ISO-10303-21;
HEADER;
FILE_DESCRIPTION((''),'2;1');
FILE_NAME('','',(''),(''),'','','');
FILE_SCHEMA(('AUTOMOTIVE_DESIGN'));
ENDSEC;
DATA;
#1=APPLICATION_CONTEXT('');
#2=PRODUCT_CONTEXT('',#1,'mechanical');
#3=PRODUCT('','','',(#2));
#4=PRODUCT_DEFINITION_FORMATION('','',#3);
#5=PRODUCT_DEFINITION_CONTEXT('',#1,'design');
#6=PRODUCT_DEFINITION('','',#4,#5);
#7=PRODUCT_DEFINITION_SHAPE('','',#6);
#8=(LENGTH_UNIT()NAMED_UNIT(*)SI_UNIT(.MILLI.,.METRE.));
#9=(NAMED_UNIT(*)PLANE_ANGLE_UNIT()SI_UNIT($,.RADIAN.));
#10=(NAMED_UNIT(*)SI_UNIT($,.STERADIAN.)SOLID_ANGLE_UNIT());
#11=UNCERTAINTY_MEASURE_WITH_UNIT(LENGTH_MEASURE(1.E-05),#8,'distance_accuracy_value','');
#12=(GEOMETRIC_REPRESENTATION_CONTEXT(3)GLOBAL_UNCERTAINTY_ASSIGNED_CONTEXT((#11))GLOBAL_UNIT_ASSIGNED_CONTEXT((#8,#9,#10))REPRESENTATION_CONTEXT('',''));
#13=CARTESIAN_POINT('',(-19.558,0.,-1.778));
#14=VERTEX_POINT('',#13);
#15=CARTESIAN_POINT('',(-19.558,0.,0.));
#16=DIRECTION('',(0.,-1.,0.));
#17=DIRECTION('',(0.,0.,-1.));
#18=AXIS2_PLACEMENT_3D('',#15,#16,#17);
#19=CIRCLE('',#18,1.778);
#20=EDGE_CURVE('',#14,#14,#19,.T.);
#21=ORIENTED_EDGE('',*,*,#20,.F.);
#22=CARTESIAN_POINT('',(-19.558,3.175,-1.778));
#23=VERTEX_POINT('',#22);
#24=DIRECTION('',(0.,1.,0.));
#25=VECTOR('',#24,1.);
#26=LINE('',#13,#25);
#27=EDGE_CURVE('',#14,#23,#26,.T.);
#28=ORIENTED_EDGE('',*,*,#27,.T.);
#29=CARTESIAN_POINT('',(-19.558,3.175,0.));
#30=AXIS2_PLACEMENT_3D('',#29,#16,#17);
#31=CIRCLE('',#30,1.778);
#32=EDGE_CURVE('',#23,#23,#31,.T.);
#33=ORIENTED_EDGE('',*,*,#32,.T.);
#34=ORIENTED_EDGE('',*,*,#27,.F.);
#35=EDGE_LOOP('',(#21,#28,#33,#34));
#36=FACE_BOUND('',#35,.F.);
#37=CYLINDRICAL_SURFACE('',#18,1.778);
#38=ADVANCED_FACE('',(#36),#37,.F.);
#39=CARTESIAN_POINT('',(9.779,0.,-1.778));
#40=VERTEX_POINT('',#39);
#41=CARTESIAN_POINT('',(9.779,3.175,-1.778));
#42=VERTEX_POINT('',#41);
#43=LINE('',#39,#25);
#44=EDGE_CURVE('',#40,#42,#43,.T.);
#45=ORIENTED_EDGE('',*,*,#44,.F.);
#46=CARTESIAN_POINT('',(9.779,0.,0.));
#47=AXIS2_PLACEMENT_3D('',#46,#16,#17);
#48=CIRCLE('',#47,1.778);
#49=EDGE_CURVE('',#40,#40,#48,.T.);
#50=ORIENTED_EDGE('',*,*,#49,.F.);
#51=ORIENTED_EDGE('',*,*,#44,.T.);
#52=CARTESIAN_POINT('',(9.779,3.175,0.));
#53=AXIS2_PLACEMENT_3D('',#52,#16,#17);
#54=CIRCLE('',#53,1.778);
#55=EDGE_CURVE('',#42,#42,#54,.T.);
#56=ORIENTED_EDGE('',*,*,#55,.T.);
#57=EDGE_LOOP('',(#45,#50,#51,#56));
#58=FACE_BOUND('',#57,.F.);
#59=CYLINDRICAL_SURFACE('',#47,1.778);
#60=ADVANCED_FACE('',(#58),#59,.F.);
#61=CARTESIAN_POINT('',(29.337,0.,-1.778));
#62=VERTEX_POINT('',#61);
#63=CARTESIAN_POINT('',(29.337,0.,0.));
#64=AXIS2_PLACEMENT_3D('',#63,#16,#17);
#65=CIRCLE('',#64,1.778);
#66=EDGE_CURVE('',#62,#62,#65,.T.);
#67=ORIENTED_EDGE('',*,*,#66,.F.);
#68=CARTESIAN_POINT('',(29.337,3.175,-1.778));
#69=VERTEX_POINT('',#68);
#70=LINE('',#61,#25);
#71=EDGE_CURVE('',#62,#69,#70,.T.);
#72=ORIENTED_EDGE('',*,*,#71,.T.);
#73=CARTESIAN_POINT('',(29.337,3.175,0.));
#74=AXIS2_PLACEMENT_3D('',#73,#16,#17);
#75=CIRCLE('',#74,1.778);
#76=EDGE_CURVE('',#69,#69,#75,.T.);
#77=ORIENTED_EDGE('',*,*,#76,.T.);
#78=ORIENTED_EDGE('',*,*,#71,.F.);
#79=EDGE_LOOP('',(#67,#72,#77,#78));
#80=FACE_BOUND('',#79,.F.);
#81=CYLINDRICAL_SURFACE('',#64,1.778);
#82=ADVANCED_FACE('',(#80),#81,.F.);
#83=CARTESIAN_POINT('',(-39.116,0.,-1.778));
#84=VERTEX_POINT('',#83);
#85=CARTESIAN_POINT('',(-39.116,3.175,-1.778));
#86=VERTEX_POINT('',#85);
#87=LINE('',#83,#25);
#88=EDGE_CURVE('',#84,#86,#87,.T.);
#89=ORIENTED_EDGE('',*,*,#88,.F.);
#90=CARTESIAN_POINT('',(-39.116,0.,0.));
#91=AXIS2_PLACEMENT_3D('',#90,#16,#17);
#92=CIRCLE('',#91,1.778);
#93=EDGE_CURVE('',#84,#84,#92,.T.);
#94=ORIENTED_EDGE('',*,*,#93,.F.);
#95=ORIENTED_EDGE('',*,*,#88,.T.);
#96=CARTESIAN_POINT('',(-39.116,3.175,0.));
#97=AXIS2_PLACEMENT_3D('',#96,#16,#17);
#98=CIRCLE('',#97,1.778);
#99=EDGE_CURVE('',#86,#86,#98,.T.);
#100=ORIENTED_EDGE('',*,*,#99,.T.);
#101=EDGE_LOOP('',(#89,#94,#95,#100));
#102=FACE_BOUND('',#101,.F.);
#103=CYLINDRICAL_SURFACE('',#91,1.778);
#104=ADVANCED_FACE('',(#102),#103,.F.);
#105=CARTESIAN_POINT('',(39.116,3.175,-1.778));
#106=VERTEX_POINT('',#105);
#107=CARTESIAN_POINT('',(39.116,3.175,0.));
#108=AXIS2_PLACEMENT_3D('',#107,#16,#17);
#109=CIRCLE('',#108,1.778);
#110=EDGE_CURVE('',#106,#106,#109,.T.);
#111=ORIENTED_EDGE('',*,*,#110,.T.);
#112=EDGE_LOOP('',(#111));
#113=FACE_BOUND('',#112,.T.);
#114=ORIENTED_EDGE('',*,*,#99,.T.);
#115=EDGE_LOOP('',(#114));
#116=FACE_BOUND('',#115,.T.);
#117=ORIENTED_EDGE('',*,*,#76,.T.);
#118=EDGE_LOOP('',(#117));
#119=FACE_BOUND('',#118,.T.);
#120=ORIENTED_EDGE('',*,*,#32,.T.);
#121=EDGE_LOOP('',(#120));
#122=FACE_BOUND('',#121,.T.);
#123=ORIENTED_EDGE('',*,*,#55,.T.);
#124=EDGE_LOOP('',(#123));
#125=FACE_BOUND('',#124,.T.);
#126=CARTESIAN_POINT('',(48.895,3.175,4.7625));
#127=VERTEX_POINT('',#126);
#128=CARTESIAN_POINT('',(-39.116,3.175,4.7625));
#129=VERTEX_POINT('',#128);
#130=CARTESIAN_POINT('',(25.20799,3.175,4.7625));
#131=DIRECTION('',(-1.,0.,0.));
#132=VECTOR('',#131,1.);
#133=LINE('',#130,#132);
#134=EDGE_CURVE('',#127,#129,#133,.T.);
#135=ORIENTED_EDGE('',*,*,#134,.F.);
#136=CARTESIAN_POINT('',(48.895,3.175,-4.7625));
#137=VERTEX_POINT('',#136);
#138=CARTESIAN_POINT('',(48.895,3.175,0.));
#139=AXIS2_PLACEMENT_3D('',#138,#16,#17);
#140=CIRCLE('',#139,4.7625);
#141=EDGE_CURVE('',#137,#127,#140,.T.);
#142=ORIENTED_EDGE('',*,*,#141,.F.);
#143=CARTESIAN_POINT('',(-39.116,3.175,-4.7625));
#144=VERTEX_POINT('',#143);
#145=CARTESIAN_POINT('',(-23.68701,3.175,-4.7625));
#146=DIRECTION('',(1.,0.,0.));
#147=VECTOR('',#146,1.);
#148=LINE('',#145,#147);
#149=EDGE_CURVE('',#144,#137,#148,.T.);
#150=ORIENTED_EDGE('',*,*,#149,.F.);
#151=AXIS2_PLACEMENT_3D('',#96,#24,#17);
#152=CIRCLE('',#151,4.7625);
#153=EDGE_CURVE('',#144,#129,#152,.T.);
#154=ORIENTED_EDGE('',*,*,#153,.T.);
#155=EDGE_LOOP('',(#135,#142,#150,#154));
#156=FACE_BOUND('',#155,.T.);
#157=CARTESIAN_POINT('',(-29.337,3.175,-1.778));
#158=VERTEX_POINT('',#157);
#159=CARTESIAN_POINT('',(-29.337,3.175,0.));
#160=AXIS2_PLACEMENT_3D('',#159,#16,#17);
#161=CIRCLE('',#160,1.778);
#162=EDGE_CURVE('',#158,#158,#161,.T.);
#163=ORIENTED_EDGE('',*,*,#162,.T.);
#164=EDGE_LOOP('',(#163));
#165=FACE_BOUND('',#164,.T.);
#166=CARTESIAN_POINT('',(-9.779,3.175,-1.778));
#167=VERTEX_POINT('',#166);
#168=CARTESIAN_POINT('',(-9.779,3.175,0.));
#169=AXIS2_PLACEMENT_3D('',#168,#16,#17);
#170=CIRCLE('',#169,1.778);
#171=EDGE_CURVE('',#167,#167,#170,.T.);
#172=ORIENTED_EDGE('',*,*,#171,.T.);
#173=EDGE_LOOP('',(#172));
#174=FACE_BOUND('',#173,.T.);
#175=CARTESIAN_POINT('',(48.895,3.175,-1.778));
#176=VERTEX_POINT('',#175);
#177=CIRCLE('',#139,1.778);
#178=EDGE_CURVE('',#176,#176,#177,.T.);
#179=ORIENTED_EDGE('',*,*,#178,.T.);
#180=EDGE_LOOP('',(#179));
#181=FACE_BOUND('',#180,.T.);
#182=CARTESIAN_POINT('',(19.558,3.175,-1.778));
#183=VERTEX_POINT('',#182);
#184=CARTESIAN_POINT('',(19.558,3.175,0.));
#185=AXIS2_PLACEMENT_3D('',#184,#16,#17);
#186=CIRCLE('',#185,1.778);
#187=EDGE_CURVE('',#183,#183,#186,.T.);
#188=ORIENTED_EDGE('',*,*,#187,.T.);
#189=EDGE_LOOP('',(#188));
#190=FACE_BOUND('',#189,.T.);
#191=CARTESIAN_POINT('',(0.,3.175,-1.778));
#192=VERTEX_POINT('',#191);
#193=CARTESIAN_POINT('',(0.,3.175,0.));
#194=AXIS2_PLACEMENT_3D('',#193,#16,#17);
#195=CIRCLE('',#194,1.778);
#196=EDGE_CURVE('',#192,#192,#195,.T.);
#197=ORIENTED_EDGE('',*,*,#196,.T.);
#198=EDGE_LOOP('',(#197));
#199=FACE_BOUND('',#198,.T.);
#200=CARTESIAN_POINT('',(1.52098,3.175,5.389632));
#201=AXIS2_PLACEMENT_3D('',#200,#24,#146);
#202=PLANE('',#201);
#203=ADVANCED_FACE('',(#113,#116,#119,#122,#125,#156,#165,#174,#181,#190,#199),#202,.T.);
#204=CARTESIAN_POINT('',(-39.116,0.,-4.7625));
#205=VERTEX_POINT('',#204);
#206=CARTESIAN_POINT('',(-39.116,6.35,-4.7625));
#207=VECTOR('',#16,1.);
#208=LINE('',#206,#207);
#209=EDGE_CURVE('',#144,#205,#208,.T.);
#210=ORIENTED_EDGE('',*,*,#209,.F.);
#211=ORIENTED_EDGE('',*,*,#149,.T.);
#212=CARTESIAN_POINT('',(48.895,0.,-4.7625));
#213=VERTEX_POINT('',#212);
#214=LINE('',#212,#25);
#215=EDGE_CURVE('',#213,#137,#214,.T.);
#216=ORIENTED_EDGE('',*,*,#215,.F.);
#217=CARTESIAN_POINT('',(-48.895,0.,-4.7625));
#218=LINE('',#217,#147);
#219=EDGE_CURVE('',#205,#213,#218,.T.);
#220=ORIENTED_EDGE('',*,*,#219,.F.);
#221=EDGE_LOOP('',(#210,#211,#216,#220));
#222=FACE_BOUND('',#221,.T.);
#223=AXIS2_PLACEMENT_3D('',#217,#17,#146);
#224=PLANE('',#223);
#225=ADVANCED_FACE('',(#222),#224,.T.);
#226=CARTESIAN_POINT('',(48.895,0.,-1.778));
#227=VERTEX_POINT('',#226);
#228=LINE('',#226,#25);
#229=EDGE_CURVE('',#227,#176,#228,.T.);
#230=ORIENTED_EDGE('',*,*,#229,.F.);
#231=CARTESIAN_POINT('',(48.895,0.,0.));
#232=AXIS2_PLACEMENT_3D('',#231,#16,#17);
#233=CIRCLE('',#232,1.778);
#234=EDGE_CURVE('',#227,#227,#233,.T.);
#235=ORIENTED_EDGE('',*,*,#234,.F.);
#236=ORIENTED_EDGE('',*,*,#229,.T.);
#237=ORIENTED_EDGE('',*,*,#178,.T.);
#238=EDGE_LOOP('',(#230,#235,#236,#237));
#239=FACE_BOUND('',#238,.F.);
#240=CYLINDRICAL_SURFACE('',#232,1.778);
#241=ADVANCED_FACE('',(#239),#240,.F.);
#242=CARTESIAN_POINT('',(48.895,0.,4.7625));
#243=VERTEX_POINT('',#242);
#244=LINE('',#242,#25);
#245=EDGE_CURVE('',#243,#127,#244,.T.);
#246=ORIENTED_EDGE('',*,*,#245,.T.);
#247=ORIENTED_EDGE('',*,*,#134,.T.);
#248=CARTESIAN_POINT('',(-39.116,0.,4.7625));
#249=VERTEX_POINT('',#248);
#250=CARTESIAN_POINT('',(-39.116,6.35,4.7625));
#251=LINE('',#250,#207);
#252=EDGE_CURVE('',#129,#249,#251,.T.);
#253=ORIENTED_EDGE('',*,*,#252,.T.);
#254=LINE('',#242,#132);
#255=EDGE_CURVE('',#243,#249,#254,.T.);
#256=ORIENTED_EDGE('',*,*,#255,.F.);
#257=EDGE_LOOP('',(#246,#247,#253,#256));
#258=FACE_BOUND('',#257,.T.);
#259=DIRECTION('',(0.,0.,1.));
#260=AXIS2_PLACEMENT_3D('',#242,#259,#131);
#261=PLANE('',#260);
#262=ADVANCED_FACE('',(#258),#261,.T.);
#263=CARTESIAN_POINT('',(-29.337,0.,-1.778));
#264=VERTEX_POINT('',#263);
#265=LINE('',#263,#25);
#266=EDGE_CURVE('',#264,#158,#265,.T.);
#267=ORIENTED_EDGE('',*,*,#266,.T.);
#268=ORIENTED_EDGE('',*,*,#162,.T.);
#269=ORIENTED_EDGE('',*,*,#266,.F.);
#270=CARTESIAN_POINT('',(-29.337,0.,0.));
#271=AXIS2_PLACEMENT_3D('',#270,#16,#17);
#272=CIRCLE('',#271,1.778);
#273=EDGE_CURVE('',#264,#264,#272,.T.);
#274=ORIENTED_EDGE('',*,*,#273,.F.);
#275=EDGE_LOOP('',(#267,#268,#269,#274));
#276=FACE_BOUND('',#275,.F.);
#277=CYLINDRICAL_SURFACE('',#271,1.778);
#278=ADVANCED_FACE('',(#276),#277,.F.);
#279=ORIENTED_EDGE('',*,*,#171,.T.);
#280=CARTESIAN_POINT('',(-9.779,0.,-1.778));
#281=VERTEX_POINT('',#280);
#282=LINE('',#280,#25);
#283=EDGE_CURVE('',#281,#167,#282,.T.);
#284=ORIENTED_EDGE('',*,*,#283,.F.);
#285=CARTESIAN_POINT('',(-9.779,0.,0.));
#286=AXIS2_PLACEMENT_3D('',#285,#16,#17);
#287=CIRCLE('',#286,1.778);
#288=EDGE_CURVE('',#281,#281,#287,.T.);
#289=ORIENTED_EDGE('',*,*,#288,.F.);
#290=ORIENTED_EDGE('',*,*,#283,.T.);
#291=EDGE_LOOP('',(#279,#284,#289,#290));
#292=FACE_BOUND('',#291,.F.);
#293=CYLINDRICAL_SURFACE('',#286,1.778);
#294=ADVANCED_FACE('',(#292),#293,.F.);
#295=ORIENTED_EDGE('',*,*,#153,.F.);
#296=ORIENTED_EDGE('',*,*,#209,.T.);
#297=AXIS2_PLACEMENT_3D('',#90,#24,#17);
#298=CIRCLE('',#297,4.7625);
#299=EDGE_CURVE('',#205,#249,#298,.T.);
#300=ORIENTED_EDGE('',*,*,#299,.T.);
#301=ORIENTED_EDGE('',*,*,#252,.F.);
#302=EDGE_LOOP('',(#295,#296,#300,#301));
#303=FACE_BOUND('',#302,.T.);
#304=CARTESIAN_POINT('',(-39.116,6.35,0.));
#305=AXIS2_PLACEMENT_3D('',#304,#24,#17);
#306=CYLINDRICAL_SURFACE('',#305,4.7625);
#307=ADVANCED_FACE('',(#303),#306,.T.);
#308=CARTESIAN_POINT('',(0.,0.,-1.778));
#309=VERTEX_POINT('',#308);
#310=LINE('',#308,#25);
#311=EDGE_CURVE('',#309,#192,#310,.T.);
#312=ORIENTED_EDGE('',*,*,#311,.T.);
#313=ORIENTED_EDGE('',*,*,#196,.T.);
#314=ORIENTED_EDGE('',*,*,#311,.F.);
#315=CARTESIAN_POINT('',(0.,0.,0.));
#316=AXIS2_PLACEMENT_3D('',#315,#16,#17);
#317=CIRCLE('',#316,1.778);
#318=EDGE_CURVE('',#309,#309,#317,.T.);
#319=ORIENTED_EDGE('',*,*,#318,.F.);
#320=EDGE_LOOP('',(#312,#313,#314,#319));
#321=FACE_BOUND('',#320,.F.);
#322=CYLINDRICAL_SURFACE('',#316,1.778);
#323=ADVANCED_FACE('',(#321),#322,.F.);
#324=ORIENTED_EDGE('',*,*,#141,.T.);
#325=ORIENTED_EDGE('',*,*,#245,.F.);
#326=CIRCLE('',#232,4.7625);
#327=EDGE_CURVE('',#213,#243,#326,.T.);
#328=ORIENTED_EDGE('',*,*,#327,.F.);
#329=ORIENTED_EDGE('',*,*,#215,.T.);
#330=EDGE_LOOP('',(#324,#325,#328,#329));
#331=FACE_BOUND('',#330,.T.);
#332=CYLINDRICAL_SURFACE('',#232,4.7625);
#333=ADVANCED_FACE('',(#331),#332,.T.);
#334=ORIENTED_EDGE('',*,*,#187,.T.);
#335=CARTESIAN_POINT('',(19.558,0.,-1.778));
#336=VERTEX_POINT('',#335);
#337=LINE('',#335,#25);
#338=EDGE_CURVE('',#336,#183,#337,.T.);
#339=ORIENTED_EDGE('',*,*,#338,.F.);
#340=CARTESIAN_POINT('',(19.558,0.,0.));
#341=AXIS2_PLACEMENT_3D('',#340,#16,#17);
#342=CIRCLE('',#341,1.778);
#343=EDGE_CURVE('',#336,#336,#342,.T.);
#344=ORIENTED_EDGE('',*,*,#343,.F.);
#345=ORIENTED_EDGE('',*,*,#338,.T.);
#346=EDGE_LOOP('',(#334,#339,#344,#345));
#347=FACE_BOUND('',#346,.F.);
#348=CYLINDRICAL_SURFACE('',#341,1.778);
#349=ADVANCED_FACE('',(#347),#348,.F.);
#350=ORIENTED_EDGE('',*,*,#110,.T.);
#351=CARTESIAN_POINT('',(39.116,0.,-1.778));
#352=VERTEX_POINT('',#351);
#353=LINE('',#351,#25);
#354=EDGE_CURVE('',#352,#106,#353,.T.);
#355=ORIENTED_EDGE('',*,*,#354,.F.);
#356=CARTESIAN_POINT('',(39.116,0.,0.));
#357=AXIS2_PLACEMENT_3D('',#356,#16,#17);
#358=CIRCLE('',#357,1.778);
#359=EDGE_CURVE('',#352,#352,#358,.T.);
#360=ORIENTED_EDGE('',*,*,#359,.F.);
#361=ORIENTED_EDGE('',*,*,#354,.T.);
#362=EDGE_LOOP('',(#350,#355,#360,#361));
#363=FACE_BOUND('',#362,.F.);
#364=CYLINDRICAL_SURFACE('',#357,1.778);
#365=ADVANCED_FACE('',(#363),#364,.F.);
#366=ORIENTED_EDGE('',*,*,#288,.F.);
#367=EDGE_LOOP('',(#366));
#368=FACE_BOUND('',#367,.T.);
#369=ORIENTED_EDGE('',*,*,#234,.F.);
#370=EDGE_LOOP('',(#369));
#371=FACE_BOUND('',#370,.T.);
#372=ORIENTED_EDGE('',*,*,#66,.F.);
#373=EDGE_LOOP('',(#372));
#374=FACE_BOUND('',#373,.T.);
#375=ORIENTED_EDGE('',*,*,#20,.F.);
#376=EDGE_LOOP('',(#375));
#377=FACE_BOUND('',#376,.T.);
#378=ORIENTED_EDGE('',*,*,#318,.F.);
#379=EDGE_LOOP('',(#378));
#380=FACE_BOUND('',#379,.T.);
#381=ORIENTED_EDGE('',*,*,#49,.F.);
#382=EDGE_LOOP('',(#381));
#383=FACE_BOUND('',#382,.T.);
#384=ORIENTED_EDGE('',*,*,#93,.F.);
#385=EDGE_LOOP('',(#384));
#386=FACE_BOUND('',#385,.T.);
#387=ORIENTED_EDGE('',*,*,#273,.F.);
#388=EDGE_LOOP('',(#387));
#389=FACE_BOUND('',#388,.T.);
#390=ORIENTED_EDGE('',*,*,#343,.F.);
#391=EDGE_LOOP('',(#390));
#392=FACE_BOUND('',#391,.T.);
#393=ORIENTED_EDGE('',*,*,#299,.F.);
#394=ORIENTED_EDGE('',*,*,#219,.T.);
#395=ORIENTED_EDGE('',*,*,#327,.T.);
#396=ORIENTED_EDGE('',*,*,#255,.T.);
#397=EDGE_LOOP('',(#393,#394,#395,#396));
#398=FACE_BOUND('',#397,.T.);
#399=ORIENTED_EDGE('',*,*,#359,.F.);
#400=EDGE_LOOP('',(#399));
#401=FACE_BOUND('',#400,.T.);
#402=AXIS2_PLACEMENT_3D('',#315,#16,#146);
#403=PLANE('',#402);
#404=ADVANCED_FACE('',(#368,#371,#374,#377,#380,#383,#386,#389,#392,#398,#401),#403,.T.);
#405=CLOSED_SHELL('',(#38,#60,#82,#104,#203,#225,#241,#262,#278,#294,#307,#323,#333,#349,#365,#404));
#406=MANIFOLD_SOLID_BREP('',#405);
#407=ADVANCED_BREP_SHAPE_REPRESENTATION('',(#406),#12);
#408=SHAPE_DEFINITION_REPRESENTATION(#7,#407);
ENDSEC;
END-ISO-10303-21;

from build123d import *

# Parameters (mm, degrees)
SKETCH1_R           = 1.778
BOSS_EXTRUDE1_DEPTH = 6.35
CUT_EXTRUDE1_DEPTH  = 55.241416026
SKETCH3_W           = 123.961526382
SKETCH3_H           = 57.130094768
CUT_EXTRUDE2_DEPTH  = 3.175


with BuildPart() as part:
    # Sketch1 → Boss-Extrude1 (new body)
    with BuildSketch(Plane.XZ):
        with BuildLine():
            Line((-48.895, -4.7625), (48.895, -4.7625))
            ThreePointArc((48.895, -4.7625), (53.6575, 0), (48.895, 4.7625))
            Line((48.895, 4.7625), (-48.895, 4.7625))
            ThreePointArc((-48.895, 4.7625), (-53.6575, 0), (-48.895, -4.7625))
        make_face()
        with Locations(Location((48.895, 0, 0), (0, 0, 270))):
            Circle(SKETCH1_R, mode=Mode.SUBTRACT)
        with Locations(Location((39.116, 0, 0), (0, 0, 270))):
            Circle(SKETCH1_R, mode=Mode.SUBTRACT)
        with Locations(Location((29.337, 0, 0), (0, 0, 270))):
            Circle(SKETCH1_R, mode=Mode.SUBTRACT)
        with Locations(Location((19.558, 0, 0), (0, 0, 270))):
            Circle(SKETCH1_R, mode=Mode.SUBTRACT)
        with Locations(Location((9.779, 0, 0), (0, 0, 270))):
            Circle(SKETCH1_R, mode=Mode.SUBTRACT)
        with Locations(Location((0, 0, 0), (0, 0, 270))):
            Circle(SKETCH1_R, mode=Mode.SUBTRACT)
        with Locations(Location((-9.779, 0, 0), (0, 0, 270))):
            Circle(SKETCH1_R, mode=Mode.SUBTRACT)
        with Locations(Location((-19.558, 0, 0), (0, 0, 270))):
            Circle(SKETCH1_R, mode=Mode.SUBTRACT)
        with Locations(Location((-29.337, 0, 0), (0, 0, 270))):
            Circle(SKETCH1_R, mode=Mode.SUBTRACT)
        with Locations(Location((-39.116, 0, 0), (0, 0, 270))):
            Circle(SKETCH1_R, mode=Mode.SUBTRACT)
        with Locations(Location((-48.895, 0, 0), (0, 0, 270))):
            Circle(SKETCH1_R, mode=Mode.SUBTRACT)
    extrude(amount=-BOSS_EXTRUDE1_DEPTH)

    # Sketch2 → Cut-Extrude1 (cut, through all)
    with BuildSketch(Plane(origin=(0, 6.35, 0), x_dir=(1, 0, 0), z_dir=(0, 1, 0))):
        with BuildLine():
            Line((-39.116, -4.7625), (-55.615088879, -6.941351058))
            Line((-55.615088879, -6.941351058), (-55.615088879, 8.998214698))
            Line((-55.615088879, 8.998214698), (-39.116, 4.7625))
            ThreePointArc((-39.116, 4.7625), (-43.8785, 0), (-39.116, -4.7625))
        make_face()
    extrude(amount=-CUT_EXTRUDE1_DEPTH, mode=Mode.SUBTRACT)

    # Sketch3 → Cut-Extrude2 (cut)
    with BuildSketch(Plane(origin=(0, 6.35, 0), x_dir=(1, 0, 0), z_dir=(0, 1, 0))):
        with Locations((1.520980261, -5.389631582)):
            Rectangle(SKETCH3_W, SKETCH3_H)
    extrude(amount=-CUT_EXTRUDE2_DEPTH, mode=Mode.SUBTRACT)


solid = part.part
